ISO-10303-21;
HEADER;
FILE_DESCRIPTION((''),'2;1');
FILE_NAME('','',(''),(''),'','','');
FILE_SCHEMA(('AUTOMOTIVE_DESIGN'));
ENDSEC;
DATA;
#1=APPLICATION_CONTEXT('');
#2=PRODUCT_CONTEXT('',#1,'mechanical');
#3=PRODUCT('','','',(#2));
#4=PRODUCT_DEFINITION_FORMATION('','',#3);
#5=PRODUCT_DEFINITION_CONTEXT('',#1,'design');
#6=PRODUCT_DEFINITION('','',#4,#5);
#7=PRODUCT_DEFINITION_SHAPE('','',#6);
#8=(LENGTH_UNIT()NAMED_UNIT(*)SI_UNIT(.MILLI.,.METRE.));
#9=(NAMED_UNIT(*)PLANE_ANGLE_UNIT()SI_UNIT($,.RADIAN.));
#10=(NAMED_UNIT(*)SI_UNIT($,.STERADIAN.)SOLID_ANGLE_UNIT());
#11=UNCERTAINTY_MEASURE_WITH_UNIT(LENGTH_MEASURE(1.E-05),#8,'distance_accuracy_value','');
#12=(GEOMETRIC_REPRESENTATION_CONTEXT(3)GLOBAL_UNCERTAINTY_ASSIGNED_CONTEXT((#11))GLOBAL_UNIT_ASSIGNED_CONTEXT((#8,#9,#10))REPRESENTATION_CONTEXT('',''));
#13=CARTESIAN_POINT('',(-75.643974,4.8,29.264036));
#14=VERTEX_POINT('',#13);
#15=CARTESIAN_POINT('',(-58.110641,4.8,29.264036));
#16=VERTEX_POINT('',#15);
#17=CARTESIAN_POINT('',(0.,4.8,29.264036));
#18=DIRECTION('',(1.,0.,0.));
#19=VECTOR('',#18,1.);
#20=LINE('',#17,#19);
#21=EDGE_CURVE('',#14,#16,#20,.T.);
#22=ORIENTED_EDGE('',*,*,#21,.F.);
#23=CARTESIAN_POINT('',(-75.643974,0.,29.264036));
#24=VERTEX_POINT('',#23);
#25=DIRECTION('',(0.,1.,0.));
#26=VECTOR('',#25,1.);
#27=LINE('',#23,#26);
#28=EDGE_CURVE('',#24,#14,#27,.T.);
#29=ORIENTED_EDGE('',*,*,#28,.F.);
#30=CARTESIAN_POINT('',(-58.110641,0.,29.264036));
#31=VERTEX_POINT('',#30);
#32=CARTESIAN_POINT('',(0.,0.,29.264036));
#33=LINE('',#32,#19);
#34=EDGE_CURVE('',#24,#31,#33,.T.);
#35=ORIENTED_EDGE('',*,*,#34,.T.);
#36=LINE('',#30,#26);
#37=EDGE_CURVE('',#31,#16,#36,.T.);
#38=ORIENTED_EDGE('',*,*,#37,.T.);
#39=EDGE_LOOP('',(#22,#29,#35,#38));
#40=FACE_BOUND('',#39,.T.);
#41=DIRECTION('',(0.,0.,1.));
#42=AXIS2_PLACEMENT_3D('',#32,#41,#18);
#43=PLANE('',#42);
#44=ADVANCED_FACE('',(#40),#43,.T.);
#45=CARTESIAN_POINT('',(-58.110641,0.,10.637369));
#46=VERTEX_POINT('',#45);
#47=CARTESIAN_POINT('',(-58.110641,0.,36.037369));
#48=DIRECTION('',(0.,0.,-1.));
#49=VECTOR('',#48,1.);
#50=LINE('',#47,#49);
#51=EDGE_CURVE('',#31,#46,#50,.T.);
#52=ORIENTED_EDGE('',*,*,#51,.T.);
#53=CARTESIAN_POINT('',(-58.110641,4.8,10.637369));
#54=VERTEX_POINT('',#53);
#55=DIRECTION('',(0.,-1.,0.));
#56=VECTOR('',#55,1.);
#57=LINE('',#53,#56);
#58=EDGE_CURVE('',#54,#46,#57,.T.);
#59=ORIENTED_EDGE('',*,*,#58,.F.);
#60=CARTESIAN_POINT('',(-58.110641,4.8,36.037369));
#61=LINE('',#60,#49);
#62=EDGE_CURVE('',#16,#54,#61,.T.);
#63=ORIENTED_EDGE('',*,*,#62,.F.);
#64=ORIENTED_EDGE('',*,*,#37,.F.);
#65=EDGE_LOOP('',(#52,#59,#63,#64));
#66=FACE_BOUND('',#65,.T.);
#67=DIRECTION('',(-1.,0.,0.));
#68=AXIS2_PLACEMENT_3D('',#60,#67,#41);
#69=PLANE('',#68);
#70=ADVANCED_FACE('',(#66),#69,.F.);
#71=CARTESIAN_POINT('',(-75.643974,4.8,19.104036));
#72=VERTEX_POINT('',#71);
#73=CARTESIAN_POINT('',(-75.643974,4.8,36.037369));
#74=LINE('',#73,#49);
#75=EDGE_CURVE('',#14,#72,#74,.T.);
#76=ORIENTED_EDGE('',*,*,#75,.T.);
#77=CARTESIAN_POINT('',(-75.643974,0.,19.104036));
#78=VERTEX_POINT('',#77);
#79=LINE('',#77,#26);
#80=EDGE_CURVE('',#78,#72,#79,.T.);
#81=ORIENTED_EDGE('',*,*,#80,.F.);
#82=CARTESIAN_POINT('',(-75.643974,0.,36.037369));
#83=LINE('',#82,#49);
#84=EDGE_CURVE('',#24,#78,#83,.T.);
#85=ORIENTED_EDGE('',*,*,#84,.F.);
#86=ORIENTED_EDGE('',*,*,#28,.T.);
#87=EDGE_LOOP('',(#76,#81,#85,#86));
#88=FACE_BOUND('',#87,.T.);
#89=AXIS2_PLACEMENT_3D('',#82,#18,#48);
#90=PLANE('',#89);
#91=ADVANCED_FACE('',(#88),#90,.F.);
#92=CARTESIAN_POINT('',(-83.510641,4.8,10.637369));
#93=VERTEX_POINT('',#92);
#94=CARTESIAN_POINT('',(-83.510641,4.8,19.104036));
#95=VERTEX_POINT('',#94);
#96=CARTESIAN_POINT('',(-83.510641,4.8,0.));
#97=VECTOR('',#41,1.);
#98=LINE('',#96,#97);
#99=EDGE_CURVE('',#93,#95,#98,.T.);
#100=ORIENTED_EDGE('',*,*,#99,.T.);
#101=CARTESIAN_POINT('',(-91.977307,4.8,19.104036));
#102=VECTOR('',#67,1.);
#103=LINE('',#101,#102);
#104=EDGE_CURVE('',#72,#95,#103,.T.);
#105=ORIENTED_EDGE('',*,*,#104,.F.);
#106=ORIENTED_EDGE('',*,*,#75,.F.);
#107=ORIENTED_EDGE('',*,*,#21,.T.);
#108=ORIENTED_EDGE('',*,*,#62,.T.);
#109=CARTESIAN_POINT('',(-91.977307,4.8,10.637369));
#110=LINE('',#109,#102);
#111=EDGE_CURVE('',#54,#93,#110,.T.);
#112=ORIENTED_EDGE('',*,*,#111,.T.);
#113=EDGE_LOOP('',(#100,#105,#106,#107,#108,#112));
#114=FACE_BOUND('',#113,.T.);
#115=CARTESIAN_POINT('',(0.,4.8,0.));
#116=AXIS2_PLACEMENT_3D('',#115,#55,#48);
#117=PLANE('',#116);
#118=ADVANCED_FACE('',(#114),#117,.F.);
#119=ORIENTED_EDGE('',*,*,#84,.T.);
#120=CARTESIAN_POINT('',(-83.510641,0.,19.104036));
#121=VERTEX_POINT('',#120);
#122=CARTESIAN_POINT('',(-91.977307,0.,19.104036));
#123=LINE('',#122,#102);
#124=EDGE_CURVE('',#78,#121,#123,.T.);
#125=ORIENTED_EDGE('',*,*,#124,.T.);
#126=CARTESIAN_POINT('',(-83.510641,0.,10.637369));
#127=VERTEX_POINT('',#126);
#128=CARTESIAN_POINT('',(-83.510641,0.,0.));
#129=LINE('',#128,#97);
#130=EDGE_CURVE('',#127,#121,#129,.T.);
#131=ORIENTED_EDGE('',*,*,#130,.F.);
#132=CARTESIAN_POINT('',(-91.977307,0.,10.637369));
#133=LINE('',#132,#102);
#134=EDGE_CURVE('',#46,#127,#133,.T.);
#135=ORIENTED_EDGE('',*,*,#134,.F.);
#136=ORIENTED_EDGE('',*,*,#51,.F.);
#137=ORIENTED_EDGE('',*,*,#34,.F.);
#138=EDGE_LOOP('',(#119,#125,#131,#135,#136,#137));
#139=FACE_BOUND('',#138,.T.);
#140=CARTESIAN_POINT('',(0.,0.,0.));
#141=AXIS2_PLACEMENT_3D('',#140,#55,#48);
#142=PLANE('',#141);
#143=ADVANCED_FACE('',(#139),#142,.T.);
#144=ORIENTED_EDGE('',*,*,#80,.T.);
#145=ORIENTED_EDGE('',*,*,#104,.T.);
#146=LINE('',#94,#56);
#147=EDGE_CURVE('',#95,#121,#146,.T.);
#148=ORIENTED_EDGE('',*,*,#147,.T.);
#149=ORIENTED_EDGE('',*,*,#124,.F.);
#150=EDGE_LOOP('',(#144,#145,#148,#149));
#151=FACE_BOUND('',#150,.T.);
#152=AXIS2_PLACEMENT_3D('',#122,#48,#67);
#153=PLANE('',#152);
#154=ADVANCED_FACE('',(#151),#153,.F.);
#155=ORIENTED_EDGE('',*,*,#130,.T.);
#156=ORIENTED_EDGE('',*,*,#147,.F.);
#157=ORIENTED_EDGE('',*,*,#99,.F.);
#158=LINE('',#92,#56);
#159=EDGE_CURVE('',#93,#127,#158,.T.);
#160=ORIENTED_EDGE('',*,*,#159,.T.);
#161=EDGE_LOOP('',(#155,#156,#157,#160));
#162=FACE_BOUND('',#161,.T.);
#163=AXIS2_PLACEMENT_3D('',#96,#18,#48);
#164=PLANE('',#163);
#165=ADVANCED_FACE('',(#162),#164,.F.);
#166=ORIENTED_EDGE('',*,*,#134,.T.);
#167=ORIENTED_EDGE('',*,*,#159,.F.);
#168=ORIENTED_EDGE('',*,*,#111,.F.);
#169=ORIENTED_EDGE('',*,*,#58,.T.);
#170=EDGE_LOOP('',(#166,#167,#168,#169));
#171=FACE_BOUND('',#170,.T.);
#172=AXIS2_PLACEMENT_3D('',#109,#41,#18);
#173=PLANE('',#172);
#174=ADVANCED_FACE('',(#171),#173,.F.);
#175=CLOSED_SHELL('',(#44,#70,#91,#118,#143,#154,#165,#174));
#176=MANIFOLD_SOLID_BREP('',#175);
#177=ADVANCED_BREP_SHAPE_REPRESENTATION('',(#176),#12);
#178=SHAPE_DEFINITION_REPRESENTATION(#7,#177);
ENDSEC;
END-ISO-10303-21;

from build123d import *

# Parameters (mm, degrees)
SKETCH1_W           = 33.866666666
SKETCH1_H           = 25.4
BOSS_EXTRUDE1_DEPTH = 4.800000052
SKETCH3_W           = 16.333333517
SKETCH3_H           = 16.933333333
CUT_EXTRUDE1_DEPTH  = 99.901754472
SKETCH4_OUTSIDE_W   = 44.386
SKETCH4_OUTSIDE_H   = 35.92
CUT_EXTRUDE3_DEPTH  = 99.901754472
CUT_EXTRUDE4_DEPTH  = 97.639789204


with BuildPart() as part:
    # Sketch1 → Boss-Extrude1 (new body)
    with BuildSketch(Plane(origin=(0, 0, 0), x_dir=(1, 0, 0), z_dir=(0, 1, 0))):
        with Locations((-75.043974065, -23.337368951)):
            Rectangle(SKETCH1_W, SKETCH1_H)
    extrude(amount=BOSS_EXTRUDE1_DEPTH)

    # Sketch3 → Cut-Extrude1 (cut, through all)
    with BuildSketch(Plane(origin=(0, 4.800000052, 0), x_dir=(1, 0, 0), z_dir=(0, 1, 0))):
        with Locations((-83.81064064, -27.570702285)):
            Rectangle(SKETCH3_W, SKETCH3_H)
    extrude(amount=-CUT_EXTRUDE1_DEPTH, mode=Mode.SUBTRACT)

    # Sketch4 outside → Cut-Extrude3 (cut, through all)
    with BuildSketch(Plane(origin=(0, 4.800000052, 0), x_dir=(1, 0, 0), z_dir=(0, 1, 0))):
        with Locations((-75.044, -23.337)):
            Rectangle(SKETCH4_OUTSIDE_W, SKETCH4_OUTSIDE_H)
        Polygon((-91.977307398, -19.104035618), (-75.643973881, -19.104035618), (-75.643973881, -29.264035618), (-58.110640732, -29.264035618), (-58.110640732, -10.637368951), (-91.977307398, -10.637368951), align=None, mode=Mode.SUBTRACT)
    extrude(amount=-CUT_EXTRUDE3_DEPTH, mode=Mode.SUBTRACT)

    # Sketch5 → Cut-Extrude4 (cut, through all)
    with BuildSketch(Plane.XZ):
        Polygon((-91.977307398, 10.637368951), (-83.510640732, 10.637368951), (-83.510640732, 16.093970394), (-83.510640732, 19.104035618), (-91.977307398, 19.104035618), align=None)
    extrude(amount=-CUT_EXTRUDE4_DEPTH, mode=Mode.SUBTRACT)


solid = part.part
